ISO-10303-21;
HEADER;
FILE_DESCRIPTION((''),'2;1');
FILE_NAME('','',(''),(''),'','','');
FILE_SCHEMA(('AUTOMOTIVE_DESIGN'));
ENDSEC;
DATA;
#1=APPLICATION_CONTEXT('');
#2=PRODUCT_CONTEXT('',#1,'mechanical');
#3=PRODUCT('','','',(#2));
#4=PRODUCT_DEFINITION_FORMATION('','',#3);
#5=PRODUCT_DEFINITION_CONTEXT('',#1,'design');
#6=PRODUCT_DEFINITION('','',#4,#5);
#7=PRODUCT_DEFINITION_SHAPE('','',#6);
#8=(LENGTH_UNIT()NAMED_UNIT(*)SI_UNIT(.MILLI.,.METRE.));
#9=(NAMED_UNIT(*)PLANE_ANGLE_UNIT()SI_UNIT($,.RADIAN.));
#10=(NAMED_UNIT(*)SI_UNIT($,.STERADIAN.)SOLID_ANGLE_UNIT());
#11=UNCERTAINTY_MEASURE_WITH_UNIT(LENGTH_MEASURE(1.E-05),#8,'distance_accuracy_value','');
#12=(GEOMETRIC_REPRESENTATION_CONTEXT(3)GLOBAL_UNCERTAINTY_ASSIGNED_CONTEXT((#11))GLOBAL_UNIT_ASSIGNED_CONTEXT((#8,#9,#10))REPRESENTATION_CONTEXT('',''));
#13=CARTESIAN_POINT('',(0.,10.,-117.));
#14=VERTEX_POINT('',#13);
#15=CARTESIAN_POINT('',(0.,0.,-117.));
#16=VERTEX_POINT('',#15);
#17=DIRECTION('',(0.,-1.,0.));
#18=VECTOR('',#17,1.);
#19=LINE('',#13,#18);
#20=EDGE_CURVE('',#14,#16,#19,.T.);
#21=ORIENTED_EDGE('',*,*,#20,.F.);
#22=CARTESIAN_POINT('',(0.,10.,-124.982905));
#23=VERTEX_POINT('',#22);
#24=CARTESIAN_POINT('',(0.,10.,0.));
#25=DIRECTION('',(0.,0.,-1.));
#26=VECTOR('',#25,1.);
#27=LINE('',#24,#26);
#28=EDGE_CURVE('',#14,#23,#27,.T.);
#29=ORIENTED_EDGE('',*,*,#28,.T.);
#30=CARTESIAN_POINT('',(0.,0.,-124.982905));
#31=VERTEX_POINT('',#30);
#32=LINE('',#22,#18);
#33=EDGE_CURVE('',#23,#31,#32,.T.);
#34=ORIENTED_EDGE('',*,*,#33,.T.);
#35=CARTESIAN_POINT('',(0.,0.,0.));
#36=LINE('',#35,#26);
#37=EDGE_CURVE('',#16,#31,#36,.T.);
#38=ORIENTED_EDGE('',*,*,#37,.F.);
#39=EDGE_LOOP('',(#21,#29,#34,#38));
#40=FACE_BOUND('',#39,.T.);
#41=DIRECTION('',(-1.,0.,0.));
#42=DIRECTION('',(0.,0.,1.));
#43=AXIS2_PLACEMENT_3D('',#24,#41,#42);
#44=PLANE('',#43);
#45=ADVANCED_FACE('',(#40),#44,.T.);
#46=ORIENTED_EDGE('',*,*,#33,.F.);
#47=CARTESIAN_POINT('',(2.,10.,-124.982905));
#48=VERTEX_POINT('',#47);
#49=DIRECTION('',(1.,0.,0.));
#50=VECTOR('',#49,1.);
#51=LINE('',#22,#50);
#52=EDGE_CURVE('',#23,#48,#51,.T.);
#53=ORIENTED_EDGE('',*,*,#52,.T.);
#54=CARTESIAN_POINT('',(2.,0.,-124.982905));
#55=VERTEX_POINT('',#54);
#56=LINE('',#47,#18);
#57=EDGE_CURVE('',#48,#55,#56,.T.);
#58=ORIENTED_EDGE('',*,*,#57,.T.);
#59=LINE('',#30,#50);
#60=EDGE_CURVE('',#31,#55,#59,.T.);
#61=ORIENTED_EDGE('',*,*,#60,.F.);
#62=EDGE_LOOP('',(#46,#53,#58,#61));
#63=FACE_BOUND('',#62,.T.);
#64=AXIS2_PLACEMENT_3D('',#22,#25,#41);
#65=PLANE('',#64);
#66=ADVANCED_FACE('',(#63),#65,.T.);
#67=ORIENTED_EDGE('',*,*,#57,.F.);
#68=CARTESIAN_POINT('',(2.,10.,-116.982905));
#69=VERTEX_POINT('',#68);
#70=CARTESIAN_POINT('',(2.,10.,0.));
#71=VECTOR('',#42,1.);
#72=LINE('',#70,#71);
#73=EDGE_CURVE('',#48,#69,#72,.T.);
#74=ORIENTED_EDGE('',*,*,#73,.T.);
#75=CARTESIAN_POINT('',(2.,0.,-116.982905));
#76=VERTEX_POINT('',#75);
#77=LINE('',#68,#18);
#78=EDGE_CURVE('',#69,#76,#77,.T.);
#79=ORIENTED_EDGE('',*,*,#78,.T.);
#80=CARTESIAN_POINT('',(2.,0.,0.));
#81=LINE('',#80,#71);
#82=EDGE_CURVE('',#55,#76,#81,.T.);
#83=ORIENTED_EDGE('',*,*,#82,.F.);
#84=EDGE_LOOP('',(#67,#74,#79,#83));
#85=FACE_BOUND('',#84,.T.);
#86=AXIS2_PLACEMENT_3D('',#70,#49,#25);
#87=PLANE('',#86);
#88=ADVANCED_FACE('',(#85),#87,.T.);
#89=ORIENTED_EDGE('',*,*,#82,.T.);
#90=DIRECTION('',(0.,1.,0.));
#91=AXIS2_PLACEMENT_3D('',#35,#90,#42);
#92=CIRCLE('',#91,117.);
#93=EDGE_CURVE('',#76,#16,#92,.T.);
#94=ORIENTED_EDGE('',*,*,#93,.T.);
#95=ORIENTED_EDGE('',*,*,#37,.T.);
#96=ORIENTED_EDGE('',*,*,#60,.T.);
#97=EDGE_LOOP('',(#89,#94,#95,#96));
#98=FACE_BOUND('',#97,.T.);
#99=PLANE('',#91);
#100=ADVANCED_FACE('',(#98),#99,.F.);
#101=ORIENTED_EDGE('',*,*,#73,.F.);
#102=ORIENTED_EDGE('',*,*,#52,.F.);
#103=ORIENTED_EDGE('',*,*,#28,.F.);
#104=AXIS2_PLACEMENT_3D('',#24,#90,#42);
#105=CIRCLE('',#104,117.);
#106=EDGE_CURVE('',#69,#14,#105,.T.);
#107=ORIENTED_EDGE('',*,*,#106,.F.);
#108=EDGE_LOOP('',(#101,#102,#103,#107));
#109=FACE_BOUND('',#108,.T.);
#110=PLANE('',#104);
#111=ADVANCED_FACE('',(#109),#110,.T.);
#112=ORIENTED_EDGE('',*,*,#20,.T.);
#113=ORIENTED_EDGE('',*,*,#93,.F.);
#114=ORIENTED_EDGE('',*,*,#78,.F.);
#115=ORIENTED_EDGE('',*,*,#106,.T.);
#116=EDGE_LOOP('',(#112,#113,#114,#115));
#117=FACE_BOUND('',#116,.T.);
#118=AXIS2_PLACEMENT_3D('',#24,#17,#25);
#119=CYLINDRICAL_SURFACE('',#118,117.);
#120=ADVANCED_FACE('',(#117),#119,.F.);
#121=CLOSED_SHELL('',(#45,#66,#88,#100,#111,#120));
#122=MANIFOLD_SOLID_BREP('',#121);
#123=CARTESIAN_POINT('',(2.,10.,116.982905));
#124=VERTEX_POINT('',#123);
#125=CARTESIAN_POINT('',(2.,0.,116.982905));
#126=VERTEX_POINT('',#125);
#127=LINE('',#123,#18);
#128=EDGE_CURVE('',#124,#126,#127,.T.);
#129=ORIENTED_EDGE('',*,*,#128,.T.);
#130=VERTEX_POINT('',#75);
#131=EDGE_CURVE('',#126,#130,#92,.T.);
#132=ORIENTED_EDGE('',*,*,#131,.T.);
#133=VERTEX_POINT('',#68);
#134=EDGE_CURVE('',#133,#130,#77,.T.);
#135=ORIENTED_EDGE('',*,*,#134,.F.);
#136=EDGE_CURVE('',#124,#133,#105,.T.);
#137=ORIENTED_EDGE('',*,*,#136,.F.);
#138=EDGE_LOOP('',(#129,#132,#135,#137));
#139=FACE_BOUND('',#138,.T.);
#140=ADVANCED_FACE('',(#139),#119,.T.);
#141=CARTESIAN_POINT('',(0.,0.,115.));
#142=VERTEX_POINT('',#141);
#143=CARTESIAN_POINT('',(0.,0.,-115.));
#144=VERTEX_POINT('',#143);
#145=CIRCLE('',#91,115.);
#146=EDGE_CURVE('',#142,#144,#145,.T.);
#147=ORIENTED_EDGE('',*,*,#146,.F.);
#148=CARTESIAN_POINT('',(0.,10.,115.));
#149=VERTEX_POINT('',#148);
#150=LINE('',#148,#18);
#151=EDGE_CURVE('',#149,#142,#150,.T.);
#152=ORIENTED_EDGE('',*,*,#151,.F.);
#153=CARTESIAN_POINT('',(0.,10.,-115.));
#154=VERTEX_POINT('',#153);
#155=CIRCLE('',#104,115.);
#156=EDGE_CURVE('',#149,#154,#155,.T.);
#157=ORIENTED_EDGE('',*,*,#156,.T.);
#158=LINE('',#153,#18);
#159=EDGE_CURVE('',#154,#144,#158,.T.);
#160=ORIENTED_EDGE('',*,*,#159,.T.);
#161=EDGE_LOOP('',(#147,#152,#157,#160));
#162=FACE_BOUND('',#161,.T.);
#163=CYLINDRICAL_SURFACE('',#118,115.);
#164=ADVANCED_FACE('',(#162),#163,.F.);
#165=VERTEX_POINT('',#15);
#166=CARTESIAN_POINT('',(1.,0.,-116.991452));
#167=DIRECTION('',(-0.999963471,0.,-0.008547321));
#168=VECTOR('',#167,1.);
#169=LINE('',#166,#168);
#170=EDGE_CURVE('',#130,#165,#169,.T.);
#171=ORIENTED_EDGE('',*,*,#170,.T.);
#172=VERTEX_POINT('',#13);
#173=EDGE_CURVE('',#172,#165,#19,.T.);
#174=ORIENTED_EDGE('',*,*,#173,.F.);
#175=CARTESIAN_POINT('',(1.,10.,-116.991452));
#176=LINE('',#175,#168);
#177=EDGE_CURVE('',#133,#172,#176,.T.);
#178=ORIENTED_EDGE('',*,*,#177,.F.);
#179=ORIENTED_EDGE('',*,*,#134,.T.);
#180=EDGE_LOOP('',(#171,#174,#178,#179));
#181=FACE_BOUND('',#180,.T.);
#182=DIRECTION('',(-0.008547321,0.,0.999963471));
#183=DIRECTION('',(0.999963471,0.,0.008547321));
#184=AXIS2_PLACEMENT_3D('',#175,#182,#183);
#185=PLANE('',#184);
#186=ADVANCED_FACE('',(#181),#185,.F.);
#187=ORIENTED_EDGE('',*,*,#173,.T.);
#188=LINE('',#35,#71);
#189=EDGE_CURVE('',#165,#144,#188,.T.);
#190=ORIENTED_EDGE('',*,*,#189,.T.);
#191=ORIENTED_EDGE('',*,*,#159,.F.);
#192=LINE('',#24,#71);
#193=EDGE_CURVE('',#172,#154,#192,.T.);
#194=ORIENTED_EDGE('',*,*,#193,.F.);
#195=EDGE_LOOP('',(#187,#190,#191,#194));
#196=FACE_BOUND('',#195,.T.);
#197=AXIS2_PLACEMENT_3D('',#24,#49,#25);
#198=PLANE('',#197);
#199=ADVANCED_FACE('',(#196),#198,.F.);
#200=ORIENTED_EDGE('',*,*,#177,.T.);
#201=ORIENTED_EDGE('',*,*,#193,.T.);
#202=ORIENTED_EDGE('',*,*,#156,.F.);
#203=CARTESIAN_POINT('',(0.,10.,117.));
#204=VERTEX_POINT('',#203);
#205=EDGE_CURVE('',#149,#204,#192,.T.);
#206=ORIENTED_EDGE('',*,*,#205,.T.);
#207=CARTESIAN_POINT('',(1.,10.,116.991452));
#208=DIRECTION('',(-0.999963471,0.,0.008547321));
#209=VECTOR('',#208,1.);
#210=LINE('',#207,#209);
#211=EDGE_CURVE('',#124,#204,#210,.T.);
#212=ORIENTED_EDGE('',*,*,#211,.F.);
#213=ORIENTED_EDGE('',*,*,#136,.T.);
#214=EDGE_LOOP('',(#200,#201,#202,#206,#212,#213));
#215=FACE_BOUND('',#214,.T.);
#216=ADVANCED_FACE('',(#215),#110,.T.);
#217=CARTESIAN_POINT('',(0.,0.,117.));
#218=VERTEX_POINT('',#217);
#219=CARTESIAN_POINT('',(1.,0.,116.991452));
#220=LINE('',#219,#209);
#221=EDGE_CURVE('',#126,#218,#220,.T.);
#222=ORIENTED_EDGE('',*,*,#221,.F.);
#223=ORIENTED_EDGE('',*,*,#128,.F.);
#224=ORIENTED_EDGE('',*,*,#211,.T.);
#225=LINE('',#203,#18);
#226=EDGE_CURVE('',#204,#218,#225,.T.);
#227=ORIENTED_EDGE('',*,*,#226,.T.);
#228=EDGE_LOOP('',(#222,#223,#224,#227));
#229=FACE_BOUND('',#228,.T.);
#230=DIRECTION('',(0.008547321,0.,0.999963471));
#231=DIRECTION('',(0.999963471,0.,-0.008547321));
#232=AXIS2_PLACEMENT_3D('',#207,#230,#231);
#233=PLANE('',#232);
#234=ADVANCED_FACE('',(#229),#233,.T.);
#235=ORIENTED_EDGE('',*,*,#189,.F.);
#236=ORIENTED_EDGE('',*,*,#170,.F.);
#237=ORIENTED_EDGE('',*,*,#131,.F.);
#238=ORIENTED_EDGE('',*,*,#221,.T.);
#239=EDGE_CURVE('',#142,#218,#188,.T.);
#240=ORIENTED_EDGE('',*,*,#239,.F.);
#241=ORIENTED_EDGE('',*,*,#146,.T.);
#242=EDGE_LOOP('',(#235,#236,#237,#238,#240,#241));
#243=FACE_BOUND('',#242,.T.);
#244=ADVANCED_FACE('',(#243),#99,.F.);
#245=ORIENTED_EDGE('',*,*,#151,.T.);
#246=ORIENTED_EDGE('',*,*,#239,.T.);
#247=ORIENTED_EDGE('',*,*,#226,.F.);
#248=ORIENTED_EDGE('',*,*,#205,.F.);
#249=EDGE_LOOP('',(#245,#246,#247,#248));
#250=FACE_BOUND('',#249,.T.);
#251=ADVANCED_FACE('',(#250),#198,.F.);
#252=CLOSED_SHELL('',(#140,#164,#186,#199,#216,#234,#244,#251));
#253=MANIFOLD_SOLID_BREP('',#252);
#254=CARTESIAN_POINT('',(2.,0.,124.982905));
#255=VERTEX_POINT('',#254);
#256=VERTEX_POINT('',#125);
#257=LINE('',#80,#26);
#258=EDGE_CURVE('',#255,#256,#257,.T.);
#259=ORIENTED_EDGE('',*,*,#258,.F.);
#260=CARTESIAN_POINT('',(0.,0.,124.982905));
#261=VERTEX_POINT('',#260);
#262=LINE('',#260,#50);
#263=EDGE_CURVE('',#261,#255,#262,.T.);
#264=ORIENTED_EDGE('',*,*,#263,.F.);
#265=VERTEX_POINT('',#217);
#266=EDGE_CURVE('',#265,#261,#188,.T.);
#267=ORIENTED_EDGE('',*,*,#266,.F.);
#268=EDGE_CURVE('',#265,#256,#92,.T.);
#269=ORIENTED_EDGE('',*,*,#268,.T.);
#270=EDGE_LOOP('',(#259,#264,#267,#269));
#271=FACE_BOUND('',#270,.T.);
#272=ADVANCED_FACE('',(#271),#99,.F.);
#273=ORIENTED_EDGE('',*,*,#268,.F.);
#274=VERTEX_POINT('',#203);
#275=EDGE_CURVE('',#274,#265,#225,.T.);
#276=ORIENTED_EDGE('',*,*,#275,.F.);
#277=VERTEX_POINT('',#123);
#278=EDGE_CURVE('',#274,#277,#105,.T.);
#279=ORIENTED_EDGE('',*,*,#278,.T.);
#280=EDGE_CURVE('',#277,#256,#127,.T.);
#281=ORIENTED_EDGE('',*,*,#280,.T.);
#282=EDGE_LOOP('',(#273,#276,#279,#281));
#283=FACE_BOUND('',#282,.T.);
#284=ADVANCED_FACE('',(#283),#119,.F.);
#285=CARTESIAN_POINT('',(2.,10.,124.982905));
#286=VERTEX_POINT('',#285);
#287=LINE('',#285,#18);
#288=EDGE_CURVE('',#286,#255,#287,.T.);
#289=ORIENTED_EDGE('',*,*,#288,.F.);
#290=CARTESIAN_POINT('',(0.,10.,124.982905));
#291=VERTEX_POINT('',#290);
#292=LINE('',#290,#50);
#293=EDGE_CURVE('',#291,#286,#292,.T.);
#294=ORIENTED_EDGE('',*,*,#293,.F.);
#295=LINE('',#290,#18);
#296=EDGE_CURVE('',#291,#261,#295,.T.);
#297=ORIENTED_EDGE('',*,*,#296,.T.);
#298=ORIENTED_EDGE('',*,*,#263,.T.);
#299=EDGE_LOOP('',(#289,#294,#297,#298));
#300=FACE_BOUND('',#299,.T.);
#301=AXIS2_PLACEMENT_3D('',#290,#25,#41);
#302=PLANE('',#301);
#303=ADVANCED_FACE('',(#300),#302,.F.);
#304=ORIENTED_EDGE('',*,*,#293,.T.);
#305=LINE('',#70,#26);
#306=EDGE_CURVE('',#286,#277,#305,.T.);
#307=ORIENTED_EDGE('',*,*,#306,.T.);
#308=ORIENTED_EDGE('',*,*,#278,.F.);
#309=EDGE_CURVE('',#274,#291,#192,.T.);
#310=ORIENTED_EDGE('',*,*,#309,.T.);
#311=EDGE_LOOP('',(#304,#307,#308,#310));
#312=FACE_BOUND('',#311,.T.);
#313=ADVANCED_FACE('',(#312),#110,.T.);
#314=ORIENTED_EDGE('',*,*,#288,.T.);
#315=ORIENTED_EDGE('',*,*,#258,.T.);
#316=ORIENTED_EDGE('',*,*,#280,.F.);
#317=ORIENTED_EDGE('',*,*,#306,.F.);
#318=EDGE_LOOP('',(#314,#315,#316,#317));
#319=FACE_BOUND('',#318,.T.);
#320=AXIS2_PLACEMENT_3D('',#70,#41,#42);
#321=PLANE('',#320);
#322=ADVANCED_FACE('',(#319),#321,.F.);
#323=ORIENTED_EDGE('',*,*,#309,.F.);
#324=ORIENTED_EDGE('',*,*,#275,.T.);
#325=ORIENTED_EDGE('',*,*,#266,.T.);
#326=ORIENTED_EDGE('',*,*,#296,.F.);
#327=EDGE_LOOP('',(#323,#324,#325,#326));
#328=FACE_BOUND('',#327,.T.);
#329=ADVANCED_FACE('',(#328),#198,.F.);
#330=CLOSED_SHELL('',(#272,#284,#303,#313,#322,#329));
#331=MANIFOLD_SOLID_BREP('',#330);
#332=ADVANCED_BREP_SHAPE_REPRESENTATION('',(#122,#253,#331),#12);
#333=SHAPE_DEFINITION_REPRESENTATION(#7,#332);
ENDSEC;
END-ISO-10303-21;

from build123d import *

# Parameters (mm, degrees)
BOSS_EXTRUDE1_DEPTH   = 10
BOSS_EXTRUDE1_2_DEPTH = 10
BOSS_EXTRUDE1_3_DEPTH = 10


with BuildPart() as part:
    # Sketch1 → Boss-Extrude1 (new body)
    with BuildSketch(Plane(origin=(0, 0, 0), x_dir=(1, 0, 0), z_dir=(0, 1, 0))):
        with BuildLine():
            Line((2, 116.982904734), (0, 117))
            Line((0, 117), (0, 115))
            ThreePointArc((0, 115), (81.317279836, 81.317279836), (115, 0))
            ThreePointArc((115, 0), (81.317279836, -81.317279836), (0, -115))
            Line((0, -115), (0, -117))
            Line((0, -117), (2, -116.982904734))
            ThreePointArc((2, -116.982904734), (83.435603911, -82.021338687), (117, 0))
            ThreePointArc((117, 0), (83.435603911, 82.021338687), (2, 116.982904734))
        make_face()
    extrude(amount=BOSS_EXTRUDE1_DEPTH)


with BuildPart() as body_2:
    # Sketch1 → Boss-Extrude1 2 (new body)
    with BuildSketch(Plane(origin=(0, 0, 0), x_dir=(1, 0, 0), z_dir=(0, 1, 0))):
        with BuildLine():
            ThreePointArc((2, -116.982904734), (1.00003653, -116.995726105), (0, -117))
            Line((0, -117), (0, -124.982904734))
            Line((0, -124.982904734), (2, -124.982904734))
            Line((2, -124.982904734), (2, -116.982904734))
        make_face()
    extrude(amount=BOSS_EXTRUDE1_2_DEPTH)


with BuildPart() as body_3:
    # Sketch1 → Boss-Extrude1 3 (new body)
    with BuildSketch(Plane(origin=(0, 0, 0), x_dir=(1, 0, 0), z_dir=(0, 1, 0))):
        with BuildLine():
            Line((0, 124.982904734), (0, 117))
            ThreePointArc((0, 117), (1.00003653, 116.995726105), (2, 116.982904734))
            Line((2, 116.982904734), (2, 124.982904734))
            Line((2, 124.982904734), (0, 124.982904734))
        make_face()
    extrude(amount=BOSS_EXTRUDE1_3_DEPTH)


solid = Compound([part.part, body_2.part, body_3.part])
